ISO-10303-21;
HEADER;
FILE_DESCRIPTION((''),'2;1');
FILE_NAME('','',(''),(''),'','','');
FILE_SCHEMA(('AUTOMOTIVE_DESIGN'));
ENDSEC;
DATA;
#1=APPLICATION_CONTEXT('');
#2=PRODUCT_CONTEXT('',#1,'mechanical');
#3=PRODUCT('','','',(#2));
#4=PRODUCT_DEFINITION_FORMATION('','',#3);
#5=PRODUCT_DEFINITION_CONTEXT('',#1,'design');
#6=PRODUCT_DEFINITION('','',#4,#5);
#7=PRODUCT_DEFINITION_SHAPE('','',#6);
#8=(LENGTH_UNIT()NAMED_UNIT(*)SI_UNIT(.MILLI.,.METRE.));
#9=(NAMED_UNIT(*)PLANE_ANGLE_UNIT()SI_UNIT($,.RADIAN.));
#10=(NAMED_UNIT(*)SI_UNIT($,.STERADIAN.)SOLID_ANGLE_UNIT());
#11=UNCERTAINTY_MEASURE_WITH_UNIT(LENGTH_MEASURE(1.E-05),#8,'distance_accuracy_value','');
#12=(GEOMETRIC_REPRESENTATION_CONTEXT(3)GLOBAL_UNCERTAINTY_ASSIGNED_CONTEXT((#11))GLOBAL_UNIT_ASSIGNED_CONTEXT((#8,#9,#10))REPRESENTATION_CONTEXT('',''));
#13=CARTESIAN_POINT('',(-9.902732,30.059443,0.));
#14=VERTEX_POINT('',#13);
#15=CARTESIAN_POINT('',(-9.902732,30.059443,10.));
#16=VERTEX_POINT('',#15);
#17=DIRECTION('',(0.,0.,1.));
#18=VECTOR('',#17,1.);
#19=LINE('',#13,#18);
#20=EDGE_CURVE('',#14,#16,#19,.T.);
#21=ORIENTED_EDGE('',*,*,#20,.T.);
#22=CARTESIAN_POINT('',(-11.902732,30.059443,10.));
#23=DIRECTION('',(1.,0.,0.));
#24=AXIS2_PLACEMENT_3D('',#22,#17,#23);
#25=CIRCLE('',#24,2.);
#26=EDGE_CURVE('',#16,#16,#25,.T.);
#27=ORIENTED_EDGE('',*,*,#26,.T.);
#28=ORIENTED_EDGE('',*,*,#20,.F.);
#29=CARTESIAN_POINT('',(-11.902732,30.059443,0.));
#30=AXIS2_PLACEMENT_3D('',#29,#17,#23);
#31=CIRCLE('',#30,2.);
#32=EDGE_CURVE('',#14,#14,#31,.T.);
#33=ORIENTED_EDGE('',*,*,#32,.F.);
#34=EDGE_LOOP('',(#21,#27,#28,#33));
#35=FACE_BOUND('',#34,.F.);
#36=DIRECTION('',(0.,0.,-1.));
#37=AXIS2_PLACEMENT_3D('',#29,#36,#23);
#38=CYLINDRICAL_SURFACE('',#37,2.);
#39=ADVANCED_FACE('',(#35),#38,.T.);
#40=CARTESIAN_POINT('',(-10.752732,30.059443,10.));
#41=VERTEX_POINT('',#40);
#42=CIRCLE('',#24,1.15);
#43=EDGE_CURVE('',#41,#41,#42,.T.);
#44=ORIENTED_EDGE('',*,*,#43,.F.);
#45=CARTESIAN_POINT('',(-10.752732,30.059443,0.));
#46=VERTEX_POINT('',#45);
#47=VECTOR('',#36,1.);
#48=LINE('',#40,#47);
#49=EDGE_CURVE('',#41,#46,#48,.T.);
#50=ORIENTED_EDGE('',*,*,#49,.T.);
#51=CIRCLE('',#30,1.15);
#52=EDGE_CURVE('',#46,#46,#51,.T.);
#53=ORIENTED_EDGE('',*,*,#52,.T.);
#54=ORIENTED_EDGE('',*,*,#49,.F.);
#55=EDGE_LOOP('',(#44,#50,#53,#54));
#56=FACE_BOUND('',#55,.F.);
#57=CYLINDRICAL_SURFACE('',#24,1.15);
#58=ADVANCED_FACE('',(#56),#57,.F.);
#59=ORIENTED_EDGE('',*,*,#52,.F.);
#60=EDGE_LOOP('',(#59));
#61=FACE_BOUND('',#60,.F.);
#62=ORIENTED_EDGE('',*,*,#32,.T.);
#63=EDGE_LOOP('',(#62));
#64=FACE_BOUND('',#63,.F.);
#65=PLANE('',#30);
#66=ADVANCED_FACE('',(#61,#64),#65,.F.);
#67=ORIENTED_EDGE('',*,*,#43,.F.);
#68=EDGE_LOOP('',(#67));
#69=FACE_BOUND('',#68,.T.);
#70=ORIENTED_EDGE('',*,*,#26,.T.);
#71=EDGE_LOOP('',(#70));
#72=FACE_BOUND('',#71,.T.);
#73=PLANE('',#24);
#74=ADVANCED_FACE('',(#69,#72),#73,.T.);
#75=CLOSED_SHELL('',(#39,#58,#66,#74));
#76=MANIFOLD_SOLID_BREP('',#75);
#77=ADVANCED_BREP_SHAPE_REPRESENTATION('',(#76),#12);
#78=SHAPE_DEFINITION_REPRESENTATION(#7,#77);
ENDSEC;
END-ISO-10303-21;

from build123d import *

# Parameters (mm, degrees)
SKETCH9_R           = 2
BOSS_EXTRUDE3_DEPTH = 10
SKETCH12_R          = 1.15
CUT_EXTRUDE2_DEPTH  = 11


with BuildPart() as part:
    # Sketch9 → Boss-Extrude3 (new body)
    with BuildSketch(Plane.XY):
        with Locations((-11.902732449, 30.059442964)):
            Circle(SKETCH9_R)
    extrude(amount=BOSS_EXTRUDE3_DEPTH)

    # Sketch12 → Cut-Extrude2 (cut, through all)
    with BuildSketch(Plane.XY.offset(10)):
        with Locations((-11.902732449, 30.059442964)):
            Circle(SKETCH12_R)
    extrude(amount=-CUT_EXTRUDE2_DEPTH, mode=Mode.SUBTRACT)


solid = part.part
